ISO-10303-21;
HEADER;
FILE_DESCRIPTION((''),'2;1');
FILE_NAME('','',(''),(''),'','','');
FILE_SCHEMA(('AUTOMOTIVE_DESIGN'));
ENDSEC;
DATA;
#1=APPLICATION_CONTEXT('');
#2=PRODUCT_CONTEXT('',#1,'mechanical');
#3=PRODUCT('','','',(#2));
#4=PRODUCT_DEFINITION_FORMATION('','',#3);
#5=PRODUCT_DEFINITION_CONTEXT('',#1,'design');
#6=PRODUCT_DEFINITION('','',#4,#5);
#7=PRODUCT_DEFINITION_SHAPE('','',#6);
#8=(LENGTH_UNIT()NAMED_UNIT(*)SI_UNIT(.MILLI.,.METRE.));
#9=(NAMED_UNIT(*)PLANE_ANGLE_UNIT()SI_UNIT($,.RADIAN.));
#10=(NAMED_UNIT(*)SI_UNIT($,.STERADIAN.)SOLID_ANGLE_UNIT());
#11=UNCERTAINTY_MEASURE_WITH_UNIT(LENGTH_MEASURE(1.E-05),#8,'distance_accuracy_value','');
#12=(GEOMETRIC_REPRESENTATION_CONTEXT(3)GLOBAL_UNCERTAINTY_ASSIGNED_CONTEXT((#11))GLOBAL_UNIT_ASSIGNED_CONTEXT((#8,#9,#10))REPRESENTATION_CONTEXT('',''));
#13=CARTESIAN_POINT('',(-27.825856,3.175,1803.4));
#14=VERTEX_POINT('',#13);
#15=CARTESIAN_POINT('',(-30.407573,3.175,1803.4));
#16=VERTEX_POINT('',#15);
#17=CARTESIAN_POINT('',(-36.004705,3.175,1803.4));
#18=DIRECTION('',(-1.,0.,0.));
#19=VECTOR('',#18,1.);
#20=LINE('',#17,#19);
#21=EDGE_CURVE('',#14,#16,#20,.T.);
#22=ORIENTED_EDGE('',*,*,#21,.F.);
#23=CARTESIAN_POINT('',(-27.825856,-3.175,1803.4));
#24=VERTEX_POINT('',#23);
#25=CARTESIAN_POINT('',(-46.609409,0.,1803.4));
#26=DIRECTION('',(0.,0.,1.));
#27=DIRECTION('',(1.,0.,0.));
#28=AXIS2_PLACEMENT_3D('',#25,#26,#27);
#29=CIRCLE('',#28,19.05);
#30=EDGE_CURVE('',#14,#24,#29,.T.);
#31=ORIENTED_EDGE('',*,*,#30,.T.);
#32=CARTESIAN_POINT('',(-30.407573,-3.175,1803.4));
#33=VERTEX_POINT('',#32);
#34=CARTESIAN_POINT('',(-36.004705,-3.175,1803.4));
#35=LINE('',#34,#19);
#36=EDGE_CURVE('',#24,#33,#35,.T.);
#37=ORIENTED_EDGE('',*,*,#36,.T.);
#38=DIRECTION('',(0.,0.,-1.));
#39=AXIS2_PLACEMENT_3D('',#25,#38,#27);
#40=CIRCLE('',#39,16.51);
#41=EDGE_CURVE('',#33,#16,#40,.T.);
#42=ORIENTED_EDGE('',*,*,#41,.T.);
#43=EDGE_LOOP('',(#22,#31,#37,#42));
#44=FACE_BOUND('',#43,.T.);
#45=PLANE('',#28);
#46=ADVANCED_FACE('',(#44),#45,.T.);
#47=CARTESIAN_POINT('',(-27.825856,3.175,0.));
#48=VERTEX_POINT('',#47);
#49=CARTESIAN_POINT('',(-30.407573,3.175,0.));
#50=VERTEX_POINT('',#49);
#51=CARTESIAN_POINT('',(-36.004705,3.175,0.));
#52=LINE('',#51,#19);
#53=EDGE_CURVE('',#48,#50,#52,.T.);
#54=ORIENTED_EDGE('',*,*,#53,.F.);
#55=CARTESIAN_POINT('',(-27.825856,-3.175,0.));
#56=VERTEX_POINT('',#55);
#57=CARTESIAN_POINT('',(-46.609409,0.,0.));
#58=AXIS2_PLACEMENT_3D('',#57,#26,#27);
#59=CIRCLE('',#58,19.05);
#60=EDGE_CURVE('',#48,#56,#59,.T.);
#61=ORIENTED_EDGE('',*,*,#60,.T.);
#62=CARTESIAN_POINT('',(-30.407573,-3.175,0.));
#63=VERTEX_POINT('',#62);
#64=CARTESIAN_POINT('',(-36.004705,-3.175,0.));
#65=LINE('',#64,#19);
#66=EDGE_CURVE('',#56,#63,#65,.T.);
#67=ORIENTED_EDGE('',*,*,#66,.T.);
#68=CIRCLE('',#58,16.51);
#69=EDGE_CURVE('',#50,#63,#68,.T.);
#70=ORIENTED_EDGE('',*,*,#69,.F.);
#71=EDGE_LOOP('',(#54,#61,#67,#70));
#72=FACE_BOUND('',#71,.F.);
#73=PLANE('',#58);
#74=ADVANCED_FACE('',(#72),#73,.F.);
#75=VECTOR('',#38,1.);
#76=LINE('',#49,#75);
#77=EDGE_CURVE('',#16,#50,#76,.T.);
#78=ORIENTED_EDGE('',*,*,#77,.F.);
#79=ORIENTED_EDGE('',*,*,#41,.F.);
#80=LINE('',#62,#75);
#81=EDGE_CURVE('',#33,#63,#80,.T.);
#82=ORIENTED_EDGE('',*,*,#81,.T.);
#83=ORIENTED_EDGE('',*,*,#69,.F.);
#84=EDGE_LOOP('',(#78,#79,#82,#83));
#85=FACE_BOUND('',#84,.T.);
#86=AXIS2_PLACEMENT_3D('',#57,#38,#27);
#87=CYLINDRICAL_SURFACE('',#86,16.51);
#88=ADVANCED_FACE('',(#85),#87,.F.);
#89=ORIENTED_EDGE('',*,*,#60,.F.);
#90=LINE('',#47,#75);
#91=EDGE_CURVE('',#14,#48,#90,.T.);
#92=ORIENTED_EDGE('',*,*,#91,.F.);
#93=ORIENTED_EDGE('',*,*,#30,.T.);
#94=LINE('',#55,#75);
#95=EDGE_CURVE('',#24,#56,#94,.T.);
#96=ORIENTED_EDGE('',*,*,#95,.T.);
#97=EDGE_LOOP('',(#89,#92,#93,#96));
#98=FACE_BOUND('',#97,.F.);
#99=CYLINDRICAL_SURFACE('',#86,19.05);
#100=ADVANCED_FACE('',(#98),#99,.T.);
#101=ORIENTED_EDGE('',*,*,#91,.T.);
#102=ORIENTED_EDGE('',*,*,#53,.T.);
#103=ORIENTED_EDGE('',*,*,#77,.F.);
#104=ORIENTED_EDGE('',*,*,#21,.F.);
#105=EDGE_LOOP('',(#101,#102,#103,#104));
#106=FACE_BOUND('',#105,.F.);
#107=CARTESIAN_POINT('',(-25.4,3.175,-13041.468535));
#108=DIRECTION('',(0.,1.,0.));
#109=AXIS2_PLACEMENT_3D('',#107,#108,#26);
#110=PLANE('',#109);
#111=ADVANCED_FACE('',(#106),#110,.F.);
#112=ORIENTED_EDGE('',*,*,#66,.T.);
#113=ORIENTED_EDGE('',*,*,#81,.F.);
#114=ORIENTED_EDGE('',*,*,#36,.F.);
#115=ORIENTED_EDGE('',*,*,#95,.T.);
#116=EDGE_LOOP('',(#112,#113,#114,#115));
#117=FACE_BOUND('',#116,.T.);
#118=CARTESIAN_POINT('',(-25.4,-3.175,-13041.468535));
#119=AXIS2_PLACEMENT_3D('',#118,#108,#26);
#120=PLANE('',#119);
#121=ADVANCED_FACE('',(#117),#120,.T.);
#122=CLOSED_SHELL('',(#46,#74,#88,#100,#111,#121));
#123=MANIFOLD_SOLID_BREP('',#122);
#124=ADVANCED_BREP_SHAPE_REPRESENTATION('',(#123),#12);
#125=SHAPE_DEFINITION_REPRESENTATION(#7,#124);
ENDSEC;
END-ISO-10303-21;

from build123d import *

# Parameters (mm, degrees)
F0_R      = 19.05
F1_DEPTH  = 1828.8
F2_T      = -2.54
F1_FACE_R = 19.05
F3_DEPTH  = 25.4
F5_W      = 6.35
F5_H      = 30480
F6_DEPTH  = 25.4


with BuildPart() as f1:
    # F0 (on Top) → F1 (new body)
    with BuildSketch(Plane.XY):
        with Locations((-46.609409, 0)):
            Circle(F0_R)
    extrude(amount=F1_DEPTH)

    # F2
    f2_openings = [f1.faces().sort_by_distance(p)[0] for p in [
        (-46.609409, 0, 0),
    ]]
    offset(amount=F2_T, openings=f2_openings)

    # F1_face (on face) → F3 (cut)
    with BuildSketch(Plane(origin=(-46.609409, 0, 1828.8), x_dir=(1, 0, 0), z_dir=(0, 0, 1))):
        Circle(F1_FACE_R)
    extrude(amount=-F3_DEPTH, mode=Mode.SUBTRACT)

    # F5 (on offset) → F6 (cut)
    with BuildSketch(Plane.YZ.offset(-25.4)):
        with Locations((0, 2198.531465)):
            Rectangle(F5_W, F5_H)
    extrude(amount=-F6_DEPTH, mode=Mode.SUBTRACT)


solid = f1.part
